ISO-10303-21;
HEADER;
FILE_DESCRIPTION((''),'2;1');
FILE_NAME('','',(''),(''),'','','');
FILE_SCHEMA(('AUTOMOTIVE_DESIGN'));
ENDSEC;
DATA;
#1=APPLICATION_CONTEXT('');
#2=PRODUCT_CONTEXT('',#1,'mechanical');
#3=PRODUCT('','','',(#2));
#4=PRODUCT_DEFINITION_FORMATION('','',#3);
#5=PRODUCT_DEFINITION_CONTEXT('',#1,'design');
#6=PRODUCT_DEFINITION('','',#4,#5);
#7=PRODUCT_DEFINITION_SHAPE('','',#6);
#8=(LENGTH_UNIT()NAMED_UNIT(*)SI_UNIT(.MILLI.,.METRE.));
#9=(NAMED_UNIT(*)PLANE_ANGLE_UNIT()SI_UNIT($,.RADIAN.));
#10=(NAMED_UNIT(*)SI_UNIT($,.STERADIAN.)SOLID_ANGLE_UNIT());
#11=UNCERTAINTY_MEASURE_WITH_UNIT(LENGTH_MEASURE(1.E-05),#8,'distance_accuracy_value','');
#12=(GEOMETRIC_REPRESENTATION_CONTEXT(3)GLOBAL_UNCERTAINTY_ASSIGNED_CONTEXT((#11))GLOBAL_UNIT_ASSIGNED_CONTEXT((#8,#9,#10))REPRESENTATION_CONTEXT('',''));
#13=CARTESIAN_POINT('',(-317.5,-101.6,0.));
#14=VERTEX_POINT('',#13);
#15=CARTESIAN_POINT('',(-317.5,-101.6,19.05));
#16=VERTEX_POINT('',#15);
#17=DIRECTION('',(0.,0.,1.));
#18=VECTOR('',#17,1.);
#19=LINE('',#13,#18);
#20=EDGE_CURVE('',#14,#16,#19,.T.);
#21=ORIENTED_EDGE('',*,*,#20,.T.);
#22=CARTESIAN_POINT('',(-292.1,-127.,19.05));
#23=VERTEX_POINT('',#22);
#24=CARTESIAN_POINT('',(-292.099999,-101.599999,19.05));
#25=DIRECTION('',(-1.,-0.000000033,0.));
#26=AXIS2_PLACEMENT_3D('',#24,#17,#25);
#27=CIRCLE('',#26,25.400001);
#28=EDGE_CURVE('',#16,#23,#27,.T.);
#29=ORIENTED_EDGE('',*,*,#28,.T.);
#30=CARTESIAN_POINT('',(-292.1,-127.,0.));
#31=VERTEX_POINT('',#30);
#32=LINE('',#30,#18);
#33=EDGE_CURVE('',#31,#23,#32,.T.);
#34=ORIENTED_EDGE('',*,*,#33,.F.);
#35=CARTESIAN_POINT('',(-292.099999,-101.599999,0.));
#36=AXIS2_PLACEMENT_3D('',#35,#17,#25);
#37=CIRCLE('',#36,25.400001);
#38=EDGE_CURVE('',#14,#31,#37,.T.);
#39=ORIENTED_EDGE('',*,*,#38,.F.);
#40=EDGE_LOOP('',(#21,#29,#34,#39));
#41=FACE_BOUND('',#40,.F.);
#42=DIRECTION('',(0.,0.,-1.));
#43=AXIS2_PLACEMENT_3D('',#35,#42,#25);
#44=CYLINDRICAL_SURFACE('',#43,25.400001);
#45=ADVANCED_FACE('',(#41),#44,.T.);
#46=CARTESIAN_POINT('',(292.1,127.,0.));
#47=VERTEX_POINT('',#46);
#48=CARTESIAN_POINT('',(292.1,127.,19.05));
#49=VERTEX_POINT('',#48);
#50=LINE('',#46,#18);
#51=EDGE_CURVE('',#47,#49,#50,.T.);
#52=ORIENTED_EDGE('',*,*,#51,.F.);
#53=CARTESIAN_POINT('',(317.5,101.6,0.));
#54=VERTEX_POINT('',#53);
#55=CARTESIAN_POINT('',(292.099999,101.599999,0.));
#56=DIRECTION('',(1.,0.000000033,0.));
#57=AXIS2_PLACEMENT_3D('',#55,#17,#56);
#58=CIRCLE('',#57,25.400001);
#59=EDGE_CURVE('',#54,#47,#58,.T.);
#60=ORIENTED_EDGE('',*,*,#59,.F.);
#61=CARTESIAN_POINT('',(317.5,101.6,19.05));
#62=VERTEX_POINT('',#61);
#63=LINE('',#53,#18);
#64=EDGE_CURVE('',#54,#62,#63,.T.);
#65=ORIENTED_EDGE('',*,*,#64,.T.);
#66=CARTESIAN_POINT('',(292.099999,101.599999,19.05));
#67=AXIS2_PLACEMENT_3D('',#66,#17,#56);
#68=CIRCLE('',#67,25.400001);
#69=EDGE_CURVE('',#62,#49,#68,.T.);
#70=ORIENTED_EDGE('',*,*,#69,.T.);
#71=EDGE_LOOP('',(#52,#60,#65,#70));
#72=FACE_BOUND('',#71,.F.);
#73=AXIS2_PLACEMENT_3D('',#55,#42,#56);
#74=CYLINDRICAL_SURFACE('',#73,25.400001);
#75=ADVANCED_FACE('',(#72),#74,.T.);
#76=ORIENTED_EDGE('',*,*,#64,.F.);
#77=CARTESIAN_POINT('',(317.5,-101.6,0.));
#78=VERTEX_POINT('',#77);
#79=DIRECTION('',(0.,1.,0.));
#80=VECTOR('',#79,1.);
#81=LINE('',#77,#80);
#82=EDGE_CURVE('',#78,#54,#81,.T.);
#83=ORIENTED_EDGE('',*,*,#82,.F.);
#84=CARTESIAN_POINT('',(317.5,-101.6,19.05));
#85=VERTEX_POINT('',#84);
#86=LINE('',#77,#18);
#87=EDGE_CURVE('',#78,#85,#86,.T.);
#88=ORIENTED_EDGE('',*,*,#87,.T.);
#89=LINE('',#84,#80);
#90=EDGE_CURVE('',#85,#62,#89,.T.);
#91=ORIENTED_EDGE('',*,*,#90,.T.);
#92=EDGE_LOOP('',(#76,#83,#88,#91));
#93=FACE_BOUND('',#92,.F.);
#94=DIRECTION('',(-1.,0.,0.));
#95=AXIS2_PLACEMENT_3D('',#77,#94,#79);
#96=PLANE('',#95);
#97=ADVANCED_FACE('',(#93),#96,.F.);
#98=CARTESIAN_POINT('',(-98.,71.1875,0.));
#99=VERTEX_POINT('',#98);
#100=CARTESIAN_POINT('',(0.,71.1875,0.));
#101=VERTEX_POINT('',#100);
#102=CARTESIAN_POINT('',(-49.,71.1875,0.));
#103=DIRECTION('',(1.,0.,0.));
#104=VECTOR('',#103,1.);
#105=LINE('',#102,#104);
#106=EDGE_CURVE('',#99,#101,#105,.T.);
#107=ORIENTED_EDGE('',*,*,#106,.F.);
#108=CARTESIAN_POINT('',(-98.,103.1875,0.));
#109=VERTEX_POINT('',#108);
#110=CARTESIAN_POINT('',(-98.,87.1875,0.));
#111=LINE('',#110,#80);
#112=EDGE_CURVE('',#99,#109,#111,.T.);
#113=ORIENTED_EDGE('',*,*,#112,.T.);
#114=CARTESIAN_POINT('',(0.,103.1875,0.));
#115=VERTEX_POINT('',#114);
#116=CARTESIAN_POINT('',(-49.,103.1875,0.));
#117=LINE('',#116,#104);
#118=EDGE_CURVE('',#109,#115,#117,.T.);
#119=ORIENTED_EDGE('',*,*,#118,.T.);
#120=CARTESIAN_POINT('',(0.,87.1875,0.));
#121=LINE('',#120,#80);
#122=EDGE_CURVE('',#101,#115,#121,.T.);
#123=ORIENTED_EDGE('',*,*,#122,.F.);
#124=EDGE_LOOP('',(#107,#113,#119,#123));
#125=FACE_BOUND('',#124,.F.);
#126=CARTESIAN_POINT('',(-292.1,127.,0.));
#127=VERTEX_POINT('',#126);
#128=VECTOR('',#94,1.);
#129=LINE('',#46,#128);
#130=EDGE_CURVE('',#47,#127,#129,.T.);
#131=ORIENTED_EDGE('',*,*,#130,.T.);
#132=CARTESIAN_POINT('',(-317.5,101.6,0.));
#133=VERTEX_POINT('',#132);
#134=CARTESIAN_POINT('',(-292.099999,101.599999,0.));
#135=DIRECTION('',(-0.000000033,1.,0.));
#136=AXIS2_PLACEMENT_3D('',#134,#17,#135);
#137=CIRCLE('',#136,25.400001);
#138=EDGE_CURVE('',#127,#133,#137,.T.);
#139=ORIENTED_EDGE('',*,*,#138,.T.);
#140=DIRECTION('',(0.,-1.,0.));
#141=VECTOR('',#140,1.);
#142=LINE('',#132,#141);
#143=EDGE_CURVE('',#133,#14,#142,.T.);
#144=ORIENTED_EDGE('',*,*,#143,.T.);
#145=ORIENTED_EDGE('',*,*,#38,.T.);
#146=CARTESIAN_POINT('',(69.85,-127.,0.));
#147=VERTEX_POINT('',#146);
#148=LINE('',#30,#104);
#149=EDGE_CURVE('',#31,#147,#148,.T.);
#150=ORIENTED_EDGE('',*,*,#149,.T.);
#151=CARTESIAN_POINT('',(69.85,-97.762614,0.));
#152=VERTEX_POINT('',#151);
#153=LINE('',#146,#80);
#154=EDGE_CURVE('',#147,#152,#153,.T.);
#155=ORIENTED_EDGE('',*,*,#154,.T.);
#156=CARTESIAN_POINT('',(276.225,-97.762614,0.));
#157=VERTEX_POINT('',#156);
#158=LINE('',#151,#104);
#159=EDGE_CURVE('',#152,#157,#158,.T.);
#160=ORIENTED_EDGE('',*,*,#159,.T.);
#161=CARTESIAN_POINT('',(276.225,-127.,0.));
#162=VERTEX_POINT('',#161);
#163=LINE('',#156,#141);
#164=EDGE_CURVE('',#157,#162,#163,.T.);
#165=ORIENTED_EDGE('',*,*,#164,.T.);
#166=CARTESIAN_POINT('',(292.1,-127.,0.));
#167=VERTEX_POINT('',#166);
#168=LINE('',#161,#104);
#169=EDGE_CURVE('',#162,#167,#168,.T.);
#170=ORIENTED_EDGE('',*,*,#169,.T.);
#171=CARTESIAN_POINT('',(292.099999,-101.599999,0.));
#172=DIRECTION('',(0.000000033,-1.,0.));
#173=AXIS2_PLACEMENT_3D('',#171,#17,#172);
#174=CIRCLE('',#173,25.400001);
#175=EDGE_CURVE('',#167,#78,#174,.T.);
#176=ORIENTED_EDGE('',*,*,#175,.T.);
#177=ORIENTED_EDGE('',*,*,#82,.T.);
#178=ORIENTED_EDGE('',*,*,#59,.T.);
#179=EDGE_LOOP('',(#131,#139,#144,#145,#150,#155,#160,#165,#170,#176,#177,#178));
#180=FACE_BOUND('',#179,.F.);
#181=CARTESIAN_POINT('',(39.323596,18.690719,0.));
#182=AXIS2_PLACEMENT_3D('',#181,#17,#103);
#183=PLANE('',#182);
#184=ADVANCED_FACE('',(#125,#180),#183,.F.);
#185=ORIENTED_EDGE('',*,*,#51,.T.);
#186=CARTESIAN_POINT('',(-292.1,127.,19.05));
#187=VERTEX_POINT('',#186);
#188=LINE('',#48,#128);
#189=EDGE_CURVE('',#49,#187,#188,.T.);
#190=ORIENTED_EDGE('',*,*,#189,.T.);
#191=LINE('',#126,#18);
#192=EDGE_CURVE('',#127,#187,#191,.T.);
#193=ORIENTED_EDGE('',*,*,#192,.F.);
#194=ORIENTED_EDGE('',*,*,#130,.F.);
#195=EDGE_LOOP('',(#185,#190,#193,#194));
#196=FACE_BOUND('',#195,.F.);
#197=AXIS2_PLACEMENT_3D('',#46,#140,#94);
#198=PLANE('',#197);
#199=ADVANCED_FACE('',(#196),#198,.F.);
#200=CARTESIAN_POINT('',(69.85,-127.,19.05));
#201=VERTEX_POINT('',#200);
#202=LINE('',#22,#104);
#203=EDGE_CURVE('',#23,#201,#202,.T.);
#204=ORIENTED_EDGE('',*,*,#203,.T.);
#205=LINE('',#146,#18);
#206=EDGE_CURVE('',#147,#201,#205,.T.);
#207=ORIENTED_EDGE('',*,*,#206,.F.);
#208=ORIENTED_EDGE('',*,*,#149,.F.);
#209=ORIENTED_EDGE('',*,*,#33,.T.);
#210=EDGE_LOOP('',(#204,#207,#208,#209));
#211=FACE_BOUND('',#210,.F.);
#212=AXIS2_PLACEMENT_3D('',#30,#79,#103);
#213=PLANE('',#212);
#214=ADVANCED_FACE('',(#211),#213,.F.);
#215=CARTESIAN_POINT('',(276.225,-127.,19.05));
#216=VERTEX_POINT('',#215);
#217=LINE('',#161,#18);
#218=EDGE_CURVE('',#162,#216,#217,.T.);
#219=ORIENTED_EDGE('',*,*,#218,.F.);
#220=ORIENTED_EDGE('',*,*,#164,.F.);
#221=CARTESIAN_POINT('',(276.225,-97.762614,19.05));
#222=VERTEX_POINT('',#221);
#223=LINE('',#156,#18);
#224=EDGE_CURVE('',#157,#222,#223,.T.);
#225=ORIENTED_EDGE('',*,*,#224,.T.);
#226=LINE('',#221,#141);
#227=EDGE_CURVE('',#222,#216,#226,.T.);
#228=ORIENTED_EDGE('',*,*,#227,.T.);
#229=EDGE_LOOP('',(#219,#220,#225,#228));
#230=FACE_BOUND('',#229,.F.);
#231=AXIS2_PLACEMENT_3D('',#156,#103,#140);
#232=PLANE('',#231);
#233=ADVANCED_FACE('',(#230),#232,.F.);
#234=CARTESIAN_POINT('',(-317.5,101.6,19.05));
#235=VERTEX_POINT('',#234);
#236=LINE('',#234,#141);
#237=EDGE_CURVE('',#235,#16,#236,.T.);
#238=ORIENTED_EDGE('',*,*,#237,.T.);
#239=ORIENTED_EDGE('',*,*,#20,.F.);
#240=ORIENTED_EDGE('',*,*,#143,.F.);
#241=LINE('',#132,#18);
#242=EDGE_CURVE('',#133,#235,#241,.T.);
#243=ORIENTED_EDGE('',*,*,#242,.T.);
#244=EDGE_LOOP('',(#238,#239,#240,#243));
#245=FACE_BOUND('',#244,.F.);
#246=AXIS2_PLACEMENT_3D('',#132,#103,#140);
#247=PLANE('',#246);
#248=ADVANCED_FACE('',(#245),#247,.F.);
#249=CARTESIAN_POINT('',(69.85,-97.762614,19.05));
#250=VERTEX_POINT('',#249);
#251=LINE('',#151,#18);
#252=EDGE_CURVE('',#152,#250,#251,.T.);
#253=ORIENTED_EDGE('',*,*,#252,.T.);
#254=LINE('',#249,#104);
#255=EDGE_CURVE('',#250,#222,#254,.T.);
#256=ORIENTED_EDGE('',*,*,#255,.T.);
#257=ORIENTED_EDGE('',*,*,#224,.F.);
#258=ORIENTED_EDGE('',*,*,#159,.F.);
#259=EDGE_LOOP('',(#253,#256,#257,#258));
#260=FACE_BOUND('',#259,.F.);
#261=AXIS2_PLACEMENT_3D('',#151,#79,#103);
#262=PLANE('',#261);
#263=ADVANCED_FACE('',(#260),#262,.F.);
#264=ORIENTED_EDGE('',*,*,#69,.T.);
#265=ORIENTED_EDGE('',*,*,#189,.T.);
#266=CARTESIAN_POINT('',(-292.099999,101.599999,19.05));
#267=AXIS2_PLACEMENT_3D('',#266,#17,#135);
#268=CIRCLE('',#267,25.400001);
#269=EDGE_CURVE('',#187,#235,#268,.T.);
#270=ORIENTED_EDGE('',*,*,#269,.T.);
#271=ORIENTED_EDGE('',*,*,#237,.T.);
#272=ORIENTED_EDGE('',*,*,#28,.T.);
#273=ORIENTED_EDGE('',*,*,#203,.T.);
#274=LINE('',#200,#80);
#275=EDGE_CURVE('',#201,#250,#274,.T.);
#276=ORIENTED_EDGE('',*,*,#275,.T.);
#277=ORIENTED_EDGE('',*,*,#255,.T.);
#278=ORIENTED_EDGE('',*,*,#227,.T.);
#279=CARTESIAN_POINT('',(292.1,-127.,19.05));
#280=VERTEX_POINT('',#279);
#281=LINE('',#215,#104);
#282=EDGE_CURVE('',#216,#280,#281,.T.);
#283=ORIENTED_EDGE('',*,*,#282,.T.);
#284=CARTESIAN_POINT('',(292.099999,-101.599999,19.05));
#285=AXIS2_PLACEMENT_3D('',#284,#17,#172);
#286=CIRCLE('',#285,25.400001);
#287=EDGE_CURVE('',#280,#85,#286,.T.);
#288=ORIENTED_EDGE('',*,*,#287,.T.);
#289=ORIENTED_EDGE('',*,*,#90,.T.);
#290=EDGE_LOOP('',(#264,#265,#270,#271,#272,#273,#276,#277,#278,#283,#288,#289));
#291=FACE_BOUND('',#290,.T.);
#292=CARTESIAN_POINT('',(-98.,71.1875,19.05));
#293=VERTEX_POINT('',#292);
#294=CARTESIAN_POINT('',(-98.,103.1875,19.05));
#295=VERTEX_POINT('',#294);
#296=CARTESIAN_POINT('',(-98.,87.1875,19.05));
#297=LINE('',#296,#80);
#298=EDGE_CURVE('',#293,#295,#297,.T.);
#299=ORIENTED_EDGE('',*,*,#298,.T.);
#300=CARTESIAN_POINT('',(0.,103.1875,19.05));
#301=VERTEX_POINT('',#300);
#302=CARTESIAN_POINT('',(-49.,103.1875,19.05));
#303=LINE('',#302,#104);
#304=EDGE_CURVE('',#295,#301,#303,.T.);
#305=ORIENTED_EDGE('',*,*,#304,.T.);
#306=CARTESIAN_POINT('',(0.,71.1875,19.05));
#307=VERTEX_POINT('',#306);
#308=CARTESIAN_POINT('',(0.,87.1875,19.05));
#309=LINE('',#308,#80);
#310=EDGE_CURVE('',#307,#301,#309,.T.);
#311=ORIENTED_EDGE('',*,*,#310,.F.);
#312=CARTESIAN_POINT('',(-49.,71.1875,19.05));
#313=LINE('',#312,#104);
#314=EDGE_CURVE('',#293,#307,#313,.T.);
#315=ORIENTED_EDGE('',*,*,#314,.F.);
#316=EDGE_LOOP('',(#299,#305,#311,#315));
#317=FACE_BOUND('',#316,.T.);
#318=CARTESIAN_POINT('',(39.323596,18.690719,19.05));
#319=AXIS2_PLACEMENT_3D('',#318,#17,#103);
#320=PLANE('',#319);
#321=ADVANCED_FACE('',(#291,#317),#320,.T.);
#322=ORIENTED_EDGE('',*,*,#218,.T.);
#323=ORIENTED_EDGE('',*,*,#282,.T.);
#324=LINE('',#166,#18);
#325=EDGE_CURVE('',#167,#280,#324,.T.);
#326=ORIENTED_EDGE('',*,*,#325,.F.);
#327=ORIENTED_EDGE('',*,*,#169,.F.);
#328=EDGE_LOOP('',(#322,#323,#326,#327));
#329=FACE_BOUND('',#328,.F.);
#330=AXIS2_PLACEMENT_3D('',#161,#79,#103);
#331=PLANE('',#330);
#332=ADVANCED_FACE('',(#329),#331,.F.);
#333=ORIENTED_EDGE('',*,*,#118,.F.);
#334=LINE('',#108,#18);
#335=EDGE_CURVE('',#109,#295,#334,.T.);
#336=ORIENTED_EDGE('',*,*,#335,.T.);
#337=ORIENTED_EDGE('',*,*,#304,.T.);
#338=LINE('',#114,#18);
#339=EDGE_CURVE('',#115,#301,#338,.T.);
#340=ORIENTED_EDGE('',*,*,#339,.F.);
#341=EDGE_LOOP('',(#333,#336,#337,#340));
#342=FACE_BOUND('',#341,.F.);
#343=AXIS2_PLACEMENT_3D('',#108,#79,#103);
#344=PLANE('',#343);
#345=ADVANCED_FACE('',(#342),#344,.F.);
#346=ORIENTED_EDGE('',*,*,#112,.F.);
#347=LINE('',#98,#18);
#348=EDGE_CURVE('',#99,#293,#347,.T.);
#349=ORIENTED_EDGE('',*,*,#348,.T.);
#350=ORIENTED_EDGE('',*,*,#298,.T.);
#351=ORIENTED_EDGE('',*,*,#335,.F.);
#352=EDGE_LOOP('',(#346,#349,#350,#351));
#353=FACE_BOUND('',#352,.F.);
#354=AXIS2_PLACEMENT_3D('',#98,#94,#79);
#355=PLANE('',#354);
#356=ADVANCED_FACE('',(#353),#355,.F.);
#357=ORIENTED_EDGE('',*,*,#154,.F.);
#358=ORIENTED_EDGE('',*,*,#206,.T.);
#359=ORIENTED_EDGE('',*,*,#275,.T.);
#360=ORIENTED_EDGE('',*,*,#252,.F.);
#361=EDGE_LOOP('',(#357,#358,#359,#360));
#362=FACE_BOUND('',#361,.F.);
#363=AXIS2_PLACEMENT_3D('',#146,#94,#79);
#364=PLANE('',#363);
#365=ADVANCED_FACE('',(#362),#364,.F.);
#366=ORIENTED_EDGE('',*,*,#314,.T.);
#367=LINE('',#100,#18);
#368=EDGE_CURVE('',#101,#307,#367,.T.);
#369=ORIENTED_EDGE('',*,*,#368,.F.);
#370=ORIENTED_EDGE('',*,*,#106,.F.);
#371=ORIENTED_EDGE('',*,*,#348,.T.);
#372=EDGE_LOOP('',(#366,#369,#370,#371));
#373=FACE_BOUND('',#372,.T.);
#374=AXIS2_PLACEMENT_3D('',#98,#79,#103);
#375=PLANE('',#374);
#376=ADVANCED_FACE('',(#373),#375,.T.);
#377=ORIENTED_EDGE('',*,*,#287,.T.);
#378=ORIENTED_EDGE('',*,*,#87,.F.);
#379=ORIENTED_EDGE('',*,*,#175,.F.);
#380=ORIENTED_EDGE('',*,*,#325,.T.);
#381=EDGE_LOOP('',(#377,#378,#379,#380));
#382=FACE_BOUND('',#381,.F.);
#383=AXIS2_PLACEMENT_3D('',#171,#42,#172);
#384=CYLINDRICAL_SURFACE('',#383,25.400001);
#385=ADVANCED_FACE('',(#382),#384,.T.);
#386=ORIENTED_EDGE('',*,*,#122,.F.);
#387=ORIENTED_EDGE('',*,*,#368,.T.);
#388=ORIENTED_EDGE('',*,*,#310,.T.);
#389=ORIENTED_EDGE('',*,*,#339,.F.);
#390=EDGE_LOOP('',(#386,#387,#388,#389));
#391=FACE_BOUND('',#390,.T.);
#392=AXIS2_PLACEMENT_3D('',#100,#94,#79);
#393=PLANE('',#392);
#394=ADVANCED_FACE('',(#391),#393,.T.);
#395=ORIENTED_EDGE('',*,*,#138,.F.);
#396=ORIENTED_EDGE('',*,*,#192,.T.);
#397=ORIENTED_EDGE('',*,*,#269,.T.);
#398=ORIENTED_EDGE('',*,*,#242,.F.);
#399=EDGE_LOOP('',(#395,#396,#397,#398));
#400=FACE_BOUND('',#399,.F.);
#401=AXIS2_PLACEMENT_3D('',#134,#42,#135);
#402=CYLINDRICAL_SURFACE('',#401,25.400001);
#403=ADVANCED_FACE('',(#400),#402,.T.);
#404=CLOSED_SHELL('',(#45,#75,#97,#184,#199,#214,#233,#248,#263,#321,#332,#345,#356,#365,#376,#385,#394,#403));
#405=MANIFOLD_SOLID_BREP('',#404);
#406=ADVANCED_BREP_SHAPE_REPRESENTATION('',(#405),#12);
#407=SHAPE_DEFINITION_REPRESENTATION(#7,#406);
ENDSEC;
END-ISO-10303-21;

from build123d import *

# Parameters (mm, degrees)
F0_W     = 98
F0_H     = 32
F1_DEPTH = 19.05


with BuildPart() as f1:
    # F0 (on Top) → F1 (new body)
    with BuildSketch(Plane.XY):
        with BuildLine():
            Line((276.225, -127), (292.1, -127))
            ThreePointArc((292.1, -127), (310.060512, -119.560512), (317.5, -101.6))
            Line((317.5, -101.6), (317.5, 101.6))
            ThreePointArc((317.5, 101.6), (310.060512, 119.560512), (292.1, 127))
            Line((292.1, 127), (-292.1, 127))
            ThreePointArc((-292.1, 127), (-310.060512, 119.560512), (-317.5, 101.6))
            Line((-317.5, 101.6), (-317.5, -101.6))
            ThreePointArc((-317.5, -101.6), (-310.060512, -119.560512), (-292.1, -127))
            Line((-292.1, -127), (69.85, -127))
            Line((69.85, -127), (69.85, -107.95))
            ThreePointArc((69.85, -107.95), (54.134552, -101.440448), (47.625, -85.725))
            Line((47.625, -85.725), (47.625, 80.9625))
            ThreePointArc((47.625, 80.9625), (54.134552, 96.677948), (69.85, 103.1875))
            Line((69.85, 103.1875), (276.225, 103.1875))
            ThreePointArc((276.225, 103.1875), (291.940448, 96.677948), (298.45, 80.9625))
            Line((298.45, 80.9625), (298.45, -85.725))
            ThreePointArc((298.45, -85.725), (291.940448, -101.440448), (276.225, -107.95))
            Line((276.225, -107.95), (276.225, -127))
        make_face()
        with Locations((-49, 87.1875)):
            Rectangle(F0_W, F0_H, mode=Mode.SUBTRACT)
        with BuildLine():
            Line((276.225, -97.762614), (276.225, -107.95))
            ThreePointArc((276.225, -107.95), (291.940448, -101.440448), (298.45, -85.725))
            Line((298.45, -85.725), (298.45, 80.9625))
            ThreePointArc((298.45, 80.9625), (291.940448, 96.677948), (276.225, 103.1875))
            Line((276.225, 103.1875), (69.85, 103.1875))
            ThreePointArc((69.85, 103.1875), (54.134552, 96.677948), (47.625, 80.9625))
            Line((47.625, 80.9625), (47.625, -85.725))
            ThreePointArc((47.625, -85.725), (54.134552, -101.440448), (69.85, -107.95))
            Line((69.85, -107.95), (69.85, -97.762614))
            Line((69.85, -97.762614), (276.225, -97.762614))
        make_face()
    extrude(amount=F1_DEPTH)


solid = f1.part
